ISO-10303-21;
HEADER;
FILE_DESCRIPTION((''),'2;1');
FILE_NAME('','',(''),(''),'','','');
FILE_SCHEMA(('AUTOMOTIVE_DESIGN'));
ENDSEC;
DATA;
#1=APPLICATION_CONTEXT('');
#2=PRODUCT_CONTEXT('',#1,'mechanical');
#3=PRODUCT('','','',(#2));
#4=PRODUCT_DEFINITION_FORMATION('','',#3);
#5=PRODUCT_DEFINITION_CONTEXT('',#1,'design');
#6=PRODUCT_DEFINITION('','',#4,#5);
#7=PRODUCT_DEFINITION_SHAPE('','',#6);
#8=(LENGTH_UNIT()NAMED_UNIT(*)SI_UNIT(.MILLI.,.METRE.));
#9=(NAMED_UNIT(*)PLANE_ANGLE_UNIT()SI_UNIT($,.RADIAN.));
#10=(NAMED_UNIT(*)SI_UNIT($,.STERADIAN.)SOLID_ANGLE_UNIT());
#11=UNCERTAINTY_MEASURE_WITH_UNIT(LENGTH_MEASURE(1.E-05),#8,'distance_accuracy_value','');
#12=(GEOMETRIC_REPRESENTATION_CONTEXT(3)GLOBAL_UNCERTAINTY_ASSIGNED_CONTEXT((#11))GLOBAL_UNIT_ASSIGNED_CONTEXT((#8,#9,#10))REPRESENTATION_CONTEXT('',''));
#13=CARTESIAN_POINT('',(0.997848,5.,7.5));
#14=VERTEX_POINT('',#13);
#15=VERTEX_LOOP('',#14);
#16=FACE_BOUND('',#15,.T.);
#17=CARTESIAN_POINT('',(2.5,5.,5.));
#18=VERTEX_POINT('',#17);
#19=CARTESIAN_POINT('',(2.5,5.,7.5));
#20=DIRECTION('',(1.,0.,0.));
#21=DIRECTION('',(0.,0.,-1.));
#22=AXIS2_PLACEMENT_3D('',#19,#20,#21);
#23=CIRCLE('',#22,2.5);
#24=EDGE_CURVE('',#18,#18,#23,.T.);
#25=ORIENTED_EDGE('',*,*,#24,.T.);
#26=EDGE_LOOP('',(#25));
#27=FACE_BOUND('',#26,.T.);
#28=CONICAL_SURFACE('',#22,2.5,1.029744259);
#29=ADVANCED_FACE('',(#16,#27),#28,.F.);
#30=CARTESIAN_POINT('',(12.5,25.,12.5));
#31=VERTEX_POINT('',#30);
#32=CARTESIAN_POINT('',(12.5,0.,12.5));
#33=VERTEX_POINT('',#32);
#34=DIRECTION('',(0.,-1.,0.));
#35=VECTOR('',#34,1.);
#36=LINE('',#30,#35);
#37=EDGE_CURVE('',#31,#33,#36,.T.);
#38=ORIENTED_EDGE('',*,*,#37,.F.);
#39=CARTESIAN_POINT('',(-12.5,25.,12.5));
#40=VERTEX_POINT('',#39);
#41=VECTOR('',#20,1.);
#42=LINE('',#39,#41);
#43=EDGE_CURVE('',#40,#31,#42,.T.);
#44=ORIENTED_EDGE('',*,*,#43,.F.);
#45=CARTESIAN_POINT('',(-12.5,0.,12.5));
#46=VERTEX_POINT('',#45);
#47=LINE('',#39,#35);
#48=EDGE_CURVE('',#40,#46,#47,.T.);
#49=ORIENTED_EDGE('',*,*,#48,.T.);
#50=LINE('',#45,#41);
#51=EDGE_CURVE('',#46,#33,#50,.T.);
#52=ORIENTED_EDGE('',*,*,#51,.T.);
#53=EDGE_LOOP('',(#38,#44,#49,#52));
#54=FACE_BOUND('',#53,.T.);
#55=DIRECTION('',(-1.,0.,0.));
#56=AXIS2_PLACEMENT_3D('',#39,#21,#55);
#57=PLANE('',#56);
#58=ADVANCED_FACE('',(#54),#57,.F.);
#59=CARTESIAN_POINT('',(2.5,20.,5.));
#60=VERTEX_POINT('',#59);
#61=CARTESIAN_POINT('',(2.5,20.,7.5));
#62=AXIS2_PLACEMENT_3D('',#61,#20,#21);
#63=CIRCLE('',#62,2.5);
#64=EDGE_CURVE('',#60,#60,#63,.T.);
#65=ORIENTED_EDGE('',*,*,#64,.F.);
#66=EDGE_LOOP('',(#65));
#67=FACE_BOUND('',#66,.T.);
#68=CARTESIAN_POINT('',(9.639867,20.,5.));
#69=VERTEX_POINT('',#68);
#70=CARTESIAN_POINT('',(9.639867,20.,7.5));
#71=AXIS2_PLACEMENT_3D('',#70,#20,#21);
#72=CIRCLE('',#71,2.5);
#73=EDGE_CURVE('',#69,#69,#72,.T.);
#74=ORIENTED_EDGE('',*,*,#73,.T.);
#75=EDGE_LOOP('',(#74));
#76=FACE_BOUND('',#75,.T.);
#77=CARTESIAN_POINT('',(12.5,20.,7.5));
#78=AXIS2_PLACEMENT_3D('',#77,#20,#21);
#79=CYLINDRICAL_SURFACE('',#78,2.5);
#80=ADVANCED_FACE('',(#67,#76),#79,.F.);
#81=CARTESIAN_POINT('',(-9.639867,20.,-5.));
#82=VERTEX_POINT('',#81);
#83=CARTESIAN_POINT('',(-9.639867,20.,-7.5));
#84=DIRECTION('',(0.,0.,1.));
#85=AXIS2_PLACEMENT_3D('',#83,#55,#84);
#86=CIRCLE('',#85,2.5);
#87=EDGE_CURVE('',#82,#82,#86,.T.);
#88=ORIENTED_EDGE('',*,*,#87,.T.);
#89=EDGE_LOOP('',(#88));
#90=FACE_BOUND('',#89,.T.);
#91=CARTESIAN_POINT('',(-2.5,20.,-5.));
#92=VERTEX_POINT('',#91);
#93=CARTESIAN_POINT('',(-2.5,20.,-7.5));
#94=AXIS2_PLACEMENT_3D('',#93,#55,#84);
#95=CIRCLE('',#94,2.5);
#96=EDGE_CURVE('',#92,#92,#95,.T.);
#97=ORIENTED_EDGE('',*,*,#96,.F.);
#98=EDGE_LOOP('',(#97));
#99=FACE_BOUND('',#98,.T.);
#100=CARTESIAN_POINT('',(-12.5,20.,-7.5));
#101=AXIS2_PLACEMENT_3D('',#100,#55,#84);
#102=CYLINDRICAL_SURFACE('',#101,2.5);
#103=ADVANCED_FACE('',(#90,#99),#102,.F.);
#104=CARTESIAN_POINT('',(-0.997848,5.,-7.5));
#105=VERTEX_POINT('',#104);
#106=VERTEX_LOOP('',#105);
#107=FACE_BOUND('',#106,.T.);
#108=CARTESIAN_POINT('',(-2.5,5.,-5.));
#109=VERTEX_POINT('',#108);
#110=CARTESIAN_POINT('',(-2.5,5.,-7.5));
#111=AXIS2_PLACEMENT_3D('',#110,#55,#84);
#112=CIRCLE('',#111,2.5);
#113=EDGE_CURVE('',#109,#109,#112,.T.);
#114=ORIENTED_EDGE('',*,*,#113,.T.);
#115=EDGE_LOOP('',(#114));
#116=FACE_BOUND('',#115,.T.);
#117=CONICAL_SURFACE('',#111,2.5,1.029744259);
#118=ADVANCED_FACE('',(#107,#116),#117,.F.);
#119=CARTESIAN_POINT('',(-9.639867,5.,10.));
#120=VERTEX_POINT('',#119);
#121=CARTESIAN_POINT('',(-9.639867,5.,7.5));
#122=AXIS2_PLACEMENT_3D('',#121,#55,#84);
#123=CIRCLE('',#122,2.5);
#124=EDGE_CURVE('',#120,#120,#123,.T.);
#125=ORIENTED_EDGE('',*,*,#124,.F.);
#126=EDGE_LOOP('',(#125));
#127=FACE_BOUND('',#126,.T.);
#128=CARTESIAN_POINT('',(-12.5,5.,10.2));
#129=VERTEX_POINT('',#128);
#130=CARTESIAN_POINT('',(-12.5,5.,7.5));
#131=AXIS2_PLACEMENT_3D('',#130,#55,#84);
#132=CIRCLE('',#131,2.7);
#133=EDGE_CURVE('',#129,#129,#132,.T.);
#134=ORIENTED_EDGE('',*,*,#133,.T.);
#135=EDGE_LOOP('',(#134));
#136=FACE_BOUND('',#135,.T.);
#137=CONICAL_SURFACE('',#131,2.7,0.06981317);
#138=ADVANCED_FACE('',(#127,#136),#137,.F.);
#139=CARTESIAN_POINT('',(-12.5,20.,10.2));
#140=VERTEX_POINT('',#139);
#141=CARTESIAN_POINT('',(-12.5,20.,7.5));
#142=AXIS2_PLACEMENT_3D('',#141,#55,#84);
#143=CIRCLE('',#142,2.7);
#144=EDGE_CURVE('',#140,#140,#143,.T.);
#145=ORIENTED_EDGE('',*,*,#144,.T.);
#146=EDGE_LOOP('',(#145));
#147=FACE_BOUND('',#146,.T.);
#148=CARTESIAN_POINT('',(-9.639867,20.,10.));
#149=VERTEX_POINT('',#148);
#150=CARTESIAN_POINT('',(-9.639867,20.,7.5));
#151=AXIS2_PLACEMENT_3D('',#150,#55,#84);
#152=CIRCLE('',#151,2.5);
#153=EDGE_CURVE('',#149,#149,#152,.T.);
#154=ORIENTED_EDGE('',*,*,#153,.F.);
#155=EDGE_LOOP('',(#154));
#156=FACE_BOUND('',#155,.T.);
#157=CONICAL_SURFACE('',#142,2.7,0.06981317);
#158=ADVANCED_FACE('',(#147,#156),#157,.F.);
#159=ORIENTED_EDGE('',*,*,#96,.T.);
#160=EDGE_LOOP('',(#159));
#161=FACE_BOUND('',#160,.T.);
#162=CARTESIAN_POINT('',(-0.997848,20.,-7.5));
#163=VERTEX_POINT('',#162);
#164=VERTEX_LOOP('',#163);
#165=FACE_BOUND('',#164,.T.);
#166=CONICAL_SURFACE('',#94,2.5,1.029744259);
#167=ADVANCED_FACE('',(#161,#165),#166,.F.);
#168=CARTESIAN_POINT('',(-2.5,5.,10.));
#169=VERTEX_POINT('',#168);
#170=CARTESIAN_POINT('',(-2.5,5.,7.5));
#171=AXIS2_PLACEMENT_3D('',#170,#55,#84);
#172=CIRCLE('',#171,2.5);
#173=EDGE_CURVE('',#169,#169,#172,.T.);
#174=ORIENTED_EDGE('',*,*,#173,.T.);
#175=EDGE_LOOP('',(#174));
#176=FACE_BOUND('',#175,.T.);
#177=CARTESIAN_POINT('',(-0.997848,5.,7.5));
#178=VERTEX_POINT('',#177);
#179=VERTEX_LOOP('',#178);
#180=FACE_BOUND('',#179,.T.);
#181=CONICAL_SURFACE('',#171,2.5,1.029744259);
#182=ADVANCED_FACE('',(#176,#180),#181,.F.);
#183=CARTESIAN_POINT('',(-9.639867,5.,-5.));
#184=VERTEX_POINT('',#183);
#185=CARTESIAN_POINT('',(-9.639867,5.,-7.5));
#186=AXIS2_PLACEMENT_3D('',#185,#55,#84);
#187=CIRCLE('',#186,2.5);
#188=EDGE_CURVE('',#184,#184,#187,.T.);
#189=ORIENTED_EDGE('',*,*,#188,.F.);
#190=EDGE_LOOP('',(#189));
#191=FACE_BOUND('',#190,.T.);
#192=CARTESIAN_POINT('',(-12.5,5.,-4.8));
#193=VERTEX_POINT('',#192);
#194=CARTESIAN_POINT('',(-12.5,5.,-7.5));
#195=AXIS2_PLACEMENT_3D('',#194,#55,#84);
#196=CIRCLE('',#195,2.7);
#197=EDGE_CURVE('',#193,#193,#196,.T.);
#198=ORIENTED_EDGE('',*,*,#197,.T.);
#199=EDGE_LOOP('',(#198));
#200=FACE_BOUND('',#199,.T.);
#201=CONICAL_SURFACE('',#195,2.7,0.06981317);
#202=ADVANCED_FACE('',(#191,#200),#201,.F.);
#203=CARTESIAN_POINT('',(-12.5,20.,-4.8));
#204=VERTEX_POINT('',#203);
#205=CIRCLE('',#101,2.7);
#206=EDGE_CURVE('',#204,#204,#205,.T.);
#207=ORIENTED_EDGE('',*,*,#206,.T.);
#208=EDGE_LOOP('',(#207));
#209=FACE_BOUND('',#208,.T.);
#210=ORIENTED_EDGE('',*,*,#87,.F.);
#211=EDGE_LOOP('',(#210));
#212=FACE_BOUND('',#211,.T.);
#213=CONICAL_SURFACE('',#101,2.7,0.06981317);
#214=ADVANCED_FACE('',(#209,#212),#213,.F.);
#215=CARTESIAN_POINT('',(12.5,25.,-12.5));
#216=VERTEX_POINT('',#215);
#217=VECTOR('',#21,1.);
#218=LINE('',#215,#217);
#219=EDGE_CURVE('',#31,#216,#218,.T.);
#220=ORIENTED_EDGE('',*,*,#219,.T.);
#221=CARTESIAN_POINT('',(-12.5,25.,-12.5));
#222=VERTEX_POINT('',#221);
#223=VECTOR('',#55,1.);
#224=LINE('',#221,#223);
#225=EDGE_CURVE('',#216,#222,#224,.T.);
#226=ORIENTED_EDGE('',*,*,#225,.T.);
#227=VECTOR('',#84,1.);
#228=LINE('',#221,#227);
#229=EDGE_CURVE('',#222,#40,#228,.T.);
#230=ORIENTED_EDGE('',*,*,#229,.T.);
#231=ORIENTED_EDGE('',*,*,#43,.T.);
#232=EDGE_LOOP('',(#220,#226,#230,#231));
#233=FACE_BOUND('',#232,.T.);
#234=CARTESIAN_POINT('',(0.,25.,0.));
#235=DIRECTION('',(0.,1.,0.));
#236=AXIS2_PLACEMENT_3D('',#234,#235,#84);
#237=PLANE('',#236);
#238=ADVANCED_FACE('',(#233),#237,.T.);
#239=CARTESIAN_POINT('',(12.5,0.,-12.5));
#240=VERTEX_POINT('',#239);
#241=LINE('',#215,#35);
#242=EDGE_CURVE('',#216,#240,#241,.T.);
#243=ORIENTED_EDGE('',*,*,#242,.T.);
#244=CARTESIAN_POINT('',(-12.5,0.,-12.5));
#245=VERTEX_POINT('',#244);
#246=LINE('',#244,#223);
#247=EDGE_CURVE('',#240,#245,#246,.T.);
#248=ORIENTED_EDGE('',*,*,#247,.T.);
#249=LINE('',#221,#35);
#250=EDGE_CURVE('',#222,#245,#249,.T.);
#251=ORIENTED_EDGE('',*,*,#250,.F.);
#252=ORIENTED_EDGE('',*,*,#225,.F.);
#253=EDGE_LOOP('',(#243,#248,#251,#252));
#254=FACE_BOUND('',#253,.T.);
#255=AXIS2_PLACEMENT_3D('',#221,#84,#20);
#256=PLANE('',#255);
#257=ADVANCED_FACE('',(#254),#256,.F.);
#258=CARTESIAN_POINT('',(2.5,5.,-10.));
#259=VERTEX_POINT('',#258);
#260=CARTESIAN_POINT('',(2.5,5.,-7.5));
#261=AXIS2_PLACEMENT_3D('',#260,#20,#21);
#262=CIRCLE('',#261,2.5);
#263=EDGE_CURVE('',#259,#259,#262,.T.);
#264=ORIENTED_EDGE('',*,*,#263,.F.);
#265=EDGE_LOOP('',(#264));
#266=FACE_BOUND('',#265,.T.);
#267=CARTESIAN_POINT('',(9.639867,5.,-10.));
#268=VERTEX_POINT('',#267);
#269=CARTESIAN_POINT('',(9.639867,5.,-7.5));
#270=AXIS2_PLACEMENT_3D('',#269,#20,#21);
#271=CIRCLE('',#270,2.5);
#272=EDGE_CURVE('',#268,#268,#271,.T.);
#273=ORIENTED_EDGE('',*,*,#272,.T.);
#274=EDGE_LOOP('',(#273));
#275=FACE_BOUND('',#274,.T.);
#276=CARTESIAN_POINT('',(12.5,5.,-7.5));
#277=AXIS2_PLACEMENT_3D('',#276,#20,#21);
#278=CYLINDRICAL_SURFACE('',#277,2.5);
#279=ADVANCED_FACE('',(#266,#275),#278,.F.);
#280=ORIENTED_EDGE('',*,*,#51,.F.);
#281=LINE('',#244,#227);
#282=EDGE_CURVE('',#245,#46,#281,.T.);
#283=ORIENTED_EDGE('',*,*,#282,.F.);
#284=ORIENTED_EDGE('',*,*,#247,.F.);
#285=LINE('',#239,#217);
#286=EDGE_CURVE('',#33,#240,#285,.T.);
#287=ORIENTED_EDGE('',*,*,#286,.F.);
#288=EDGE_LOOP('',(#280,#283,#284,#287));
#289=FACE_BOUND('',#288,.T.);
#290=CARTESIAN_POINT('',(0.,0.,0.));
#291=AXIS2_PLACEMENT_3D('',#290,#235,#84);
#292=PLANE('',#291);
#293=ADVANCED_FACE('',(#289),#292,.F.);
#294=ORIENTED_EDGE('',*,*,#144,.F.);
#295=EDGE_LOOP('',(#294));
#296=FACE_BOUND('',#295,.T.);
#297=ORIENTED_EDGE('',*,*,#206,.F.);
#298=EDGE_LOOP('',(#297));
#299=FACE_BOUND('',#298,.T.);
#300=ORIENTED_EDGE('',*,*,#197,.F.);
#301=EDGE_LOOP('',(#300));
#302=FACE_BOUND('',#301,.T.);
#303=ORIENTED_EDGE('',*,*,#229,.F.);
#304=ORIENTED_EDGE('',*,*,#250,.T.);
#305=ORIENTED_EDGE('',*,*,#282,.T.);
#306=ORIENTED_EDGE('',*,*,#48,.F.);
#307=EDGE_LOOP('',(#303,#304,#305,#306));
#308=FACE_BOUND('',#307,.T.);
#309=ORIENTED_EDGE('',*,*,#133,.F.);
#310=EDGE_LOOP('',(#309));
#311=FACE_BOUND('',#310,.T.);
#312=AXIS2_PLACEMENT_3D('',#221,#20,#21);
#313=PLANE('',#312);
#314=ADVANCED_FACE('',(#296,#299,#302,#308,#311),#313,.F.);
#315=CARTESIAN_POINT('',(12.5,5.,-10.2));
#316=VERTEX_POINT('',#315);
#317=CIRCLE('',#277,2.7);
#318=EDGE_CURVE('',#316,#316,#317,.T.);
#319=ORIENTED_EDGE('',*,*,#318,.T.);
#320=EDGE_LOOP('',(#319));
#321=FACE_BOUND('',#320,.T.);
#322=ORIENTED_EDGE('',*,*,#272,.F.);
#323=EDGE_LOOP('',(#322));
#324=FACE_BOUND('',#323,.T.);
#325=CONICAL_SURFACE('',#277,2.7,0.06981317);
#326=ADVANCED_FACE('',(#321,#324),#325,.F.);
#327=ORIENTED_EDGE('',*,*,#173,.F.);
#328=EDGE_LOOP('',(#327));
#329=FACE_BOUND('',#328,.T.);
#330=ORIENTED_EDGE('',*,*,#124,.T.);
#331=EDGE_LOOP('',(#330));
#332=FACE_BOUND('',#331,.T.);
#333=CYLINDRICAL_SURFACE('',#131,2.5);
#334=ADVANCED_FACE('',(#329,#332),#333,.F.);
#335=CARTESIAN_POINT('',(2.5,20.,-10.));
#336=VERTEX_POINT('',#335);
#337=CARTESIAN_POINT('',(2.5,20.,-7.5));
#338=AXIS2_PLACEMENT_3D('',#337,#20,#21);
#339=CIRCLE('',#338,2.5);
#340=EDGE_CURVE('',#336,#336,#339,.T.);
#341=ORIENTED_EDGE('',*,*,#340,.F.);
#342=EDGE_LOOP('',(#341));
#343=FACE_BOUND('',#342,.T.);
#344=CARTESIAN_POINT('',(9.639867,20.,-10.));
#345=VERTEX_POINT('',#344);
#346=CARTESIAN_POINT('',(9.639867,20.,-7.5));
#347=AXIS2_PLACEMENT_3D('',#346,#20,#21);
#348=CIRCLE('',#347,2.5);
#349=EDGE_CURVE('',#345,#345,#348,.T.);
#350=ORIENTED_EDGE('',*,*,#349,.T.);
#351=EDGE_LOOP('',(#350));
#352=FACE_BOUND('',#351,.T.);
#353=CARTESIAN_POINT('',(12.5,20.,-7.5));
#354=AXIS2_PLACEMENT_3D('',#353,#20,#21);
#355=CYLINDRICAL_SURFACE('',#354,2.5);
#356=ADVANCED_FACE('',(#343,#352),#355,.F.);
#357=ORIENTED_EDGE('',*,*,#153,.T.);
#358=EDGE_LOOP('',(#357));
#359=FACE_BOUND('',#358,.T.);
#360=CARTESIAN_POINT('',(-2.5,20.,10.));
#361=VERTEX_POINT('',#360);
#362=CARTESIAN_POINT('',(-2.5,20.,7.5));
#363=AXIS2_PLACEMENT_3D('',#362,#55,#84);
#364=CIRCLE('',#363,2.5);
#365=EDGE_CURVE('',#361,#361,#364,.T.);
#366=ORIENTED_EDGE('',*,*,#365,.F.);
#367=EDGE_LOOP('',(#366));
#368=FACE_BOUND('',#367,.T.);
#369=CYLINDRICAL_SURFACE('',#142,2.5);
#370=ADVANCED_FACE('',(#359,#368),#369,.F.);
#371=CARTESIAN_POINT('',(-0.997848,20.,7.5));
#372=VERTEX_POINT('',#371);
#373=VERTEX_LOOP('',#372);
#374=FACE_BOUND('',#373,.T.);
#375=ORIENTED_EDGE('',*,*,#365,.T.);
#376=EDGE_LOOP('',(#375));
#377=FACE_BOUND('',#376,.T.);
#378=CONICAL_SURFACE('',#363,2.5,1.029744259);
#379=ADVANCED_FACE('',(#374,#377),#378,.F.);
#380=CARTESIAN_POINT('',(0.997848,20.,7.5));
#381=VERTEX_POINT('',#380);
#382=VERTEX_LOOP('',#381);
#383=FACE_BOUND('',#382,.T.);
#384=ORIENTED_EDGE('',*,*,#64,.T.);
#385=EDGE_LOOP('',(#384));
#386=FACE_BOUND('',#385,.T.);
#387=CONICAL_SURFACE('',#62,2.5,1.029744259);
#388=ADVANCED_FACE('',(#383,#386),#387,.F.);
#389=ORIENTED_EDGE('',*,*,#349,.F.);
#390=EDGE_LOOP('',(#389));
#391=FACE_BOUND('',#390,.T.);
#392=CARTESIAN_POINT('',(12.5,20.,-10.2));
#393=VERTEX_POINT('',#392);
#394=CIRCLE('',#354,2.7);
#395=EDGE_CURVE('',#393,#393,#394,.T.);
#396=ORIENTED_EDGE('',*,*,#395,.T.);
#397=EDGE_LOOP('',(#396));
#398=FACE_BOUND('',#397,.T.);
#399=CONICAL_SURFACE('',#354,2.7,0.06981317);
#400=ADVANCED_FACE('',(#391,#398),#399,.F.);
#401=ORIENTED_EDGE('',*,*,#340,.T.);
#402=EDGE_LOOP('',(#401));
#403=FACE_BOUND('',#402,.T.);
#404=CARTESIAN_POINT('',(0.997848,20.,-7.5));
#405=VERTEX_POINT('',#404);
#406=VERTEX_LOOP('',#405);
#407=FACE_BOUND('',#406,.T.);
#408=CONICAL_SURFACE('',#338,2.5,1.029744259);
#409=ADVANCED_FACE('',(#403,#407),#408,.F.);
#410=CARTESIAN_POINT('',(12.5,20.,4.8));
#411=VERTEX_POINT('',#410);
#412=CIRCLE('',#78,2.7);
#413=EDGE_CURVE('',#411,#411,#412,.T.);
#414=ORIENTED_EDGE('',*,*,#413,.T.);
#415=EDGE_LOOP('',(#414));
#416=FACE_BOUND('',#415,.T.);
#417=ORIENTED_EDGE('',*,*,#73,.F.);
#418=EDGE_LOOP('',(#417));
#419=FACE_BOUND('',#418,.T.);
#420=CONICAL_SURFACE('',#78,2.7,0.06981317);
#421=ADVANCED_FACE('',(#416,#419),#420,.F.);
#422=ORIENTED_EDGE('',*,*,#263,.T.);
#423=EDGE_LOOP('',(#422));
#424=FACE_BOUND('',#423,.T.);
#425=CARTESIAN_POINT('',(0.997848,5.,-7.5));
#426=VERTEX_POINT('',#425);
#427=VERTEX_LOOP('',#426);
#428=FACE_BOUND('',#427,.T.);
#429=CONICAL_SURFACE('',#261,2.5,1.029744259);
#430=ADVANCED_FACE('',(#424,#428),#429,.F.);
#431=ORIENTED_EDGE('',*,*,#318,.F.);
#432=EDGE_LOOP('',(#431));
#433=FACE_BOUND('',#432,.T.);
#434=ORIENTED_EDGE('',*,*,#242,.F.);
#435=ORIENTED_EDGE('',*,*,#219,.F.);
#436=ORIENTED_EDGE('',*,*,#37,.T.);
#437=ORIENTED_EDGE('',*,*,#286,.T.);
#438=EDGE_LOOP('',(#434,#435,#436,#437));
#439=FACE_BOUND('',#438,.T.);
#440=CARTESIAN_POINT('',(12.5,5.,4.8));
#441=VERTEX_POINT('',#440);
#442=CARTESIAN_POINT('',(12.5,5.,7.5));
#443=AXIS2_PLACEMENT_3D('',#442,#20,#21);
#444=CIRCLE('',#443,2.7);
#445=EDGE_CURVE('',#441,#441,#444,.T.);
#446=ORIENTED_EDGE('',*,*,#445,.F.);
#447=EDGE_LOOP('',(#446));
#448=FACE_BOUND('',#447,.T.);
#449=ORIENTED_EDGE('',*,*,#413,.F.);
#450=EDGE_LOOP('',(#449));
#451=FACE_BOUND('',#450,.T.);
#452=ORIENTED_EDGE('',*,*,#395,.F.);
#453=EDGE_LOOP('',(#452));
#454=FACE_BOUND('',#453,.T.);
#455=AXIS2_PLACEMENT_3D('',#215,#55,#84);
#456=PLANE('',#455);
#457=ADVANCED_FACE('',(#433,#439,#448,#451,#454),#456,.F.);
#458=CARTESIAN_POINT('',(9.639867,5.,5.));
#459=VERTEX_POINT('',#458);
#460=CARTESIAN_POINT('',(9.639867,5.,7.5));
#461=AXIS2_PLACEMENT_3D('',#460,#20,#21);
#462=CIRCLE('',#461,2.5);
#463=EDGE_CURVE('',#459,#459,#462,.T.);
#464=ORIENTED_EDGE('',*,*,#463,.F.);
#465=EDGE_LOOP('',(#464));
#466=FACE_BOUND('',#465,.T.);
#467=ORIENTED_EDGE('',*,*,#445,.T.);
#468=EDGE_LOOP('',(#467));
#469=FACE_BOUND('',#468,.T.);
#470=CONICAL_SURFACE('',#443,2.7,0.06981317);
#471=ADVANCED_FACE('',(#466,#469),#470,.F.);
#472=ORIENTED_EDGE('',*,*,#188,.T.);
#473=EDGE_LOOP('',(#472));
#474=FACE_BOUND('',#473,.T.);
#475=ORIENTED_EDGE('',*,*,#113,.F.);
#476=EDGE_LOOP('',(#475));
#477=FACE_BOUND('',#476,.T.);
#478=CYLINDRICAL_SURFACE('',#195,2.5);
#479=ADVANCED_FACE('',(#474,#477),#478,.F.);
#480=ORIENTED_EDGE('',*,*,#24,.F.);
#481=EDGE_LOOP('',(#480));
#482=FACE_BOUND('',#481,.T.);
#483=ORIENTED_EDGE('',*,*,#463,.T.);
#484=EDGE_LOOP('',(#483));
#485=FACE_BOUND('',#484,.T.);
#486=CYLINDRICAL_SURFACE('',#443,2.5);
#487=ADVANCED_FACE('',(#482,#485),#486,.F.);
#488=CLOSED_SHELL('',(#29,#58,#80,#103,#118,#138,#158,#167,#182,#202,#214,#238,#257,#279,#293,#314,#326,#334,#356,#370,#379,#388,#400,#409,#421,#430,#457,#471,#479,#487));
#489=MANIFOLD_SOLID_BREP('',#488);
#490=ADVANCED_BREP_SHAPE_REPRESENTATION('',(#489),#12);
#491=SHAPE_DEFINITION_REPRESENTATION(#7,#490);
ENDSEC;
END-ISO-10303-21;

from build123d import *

# Parameters (mm, degrees)
SKETCH2_W            = 25
SKETCH2_H            = 25
BOSS_EXTRUDE1_DEPTH  = 25
LPATTERN1_COUNT      = 2
LPATTERN1_PITCH      = 15
LPATTERN1_COUNT_DIR2 = 2
LPATTERN1_PITCH_DIR2 = 15


with BuildPart() as part:
    # Sketch2 → Boss-Extrude1 (new body)
    with BuildSketch(Plane(origin=(0, 0, 0), x_dir=(1, 0, 0), z_dir=(0, 1, 0))):
        Rectangle(SKETCH2_W, SKETCH2_H)
    extrude(amount=BOSS_EXTRUDE1_DEPTH)

    # Sketch4 → CSK for M3 Oval Head Machine Screw1 (revolve, cut)
    with BuildSketch(Plane(origin=(-12.5, 20, -7.5), x_dir=(0, 0, 1), z_dir=(0, 1, 0))):
        Polygon((0, 0), (0, 11.502151548), (2.5, 10), (2.5, 2.860133251), (2.7, 0), align=None)
    csk_for_m3_oval_head_machine_screw1 = revolve(axis=Axis((-18.85, 20, -7.5), (1, 0, 0)), mode=Mode.SUBTRACT)

    # LPattern1: CSK for M3 Oval Head Machine Screw1 2 × 2
    with Locations(*[(0, -i * LPATTERN1_PITCH, j * LPATTERN1_PITCH_DIR2) for i in range(LPATTERN1_COUNT) for j in range(LPATTERN1_COUNT_DIR2) if (i, j) != (0, 0)]):
        add(csk_for_m3_oval_head_machine_screw1, mode=Mode.SUBTRACT)

    # Mirror1: CSK for M3 Oval Head Machine Screw1 across plane
    add(csk_for_m3_oval_head_machine_screw1.mirror(Plane(origin=(0, 0, 0), x_dir=(0, 0, 1), z_dir=(1, 0, 0))), mode=Mode.SUBTRACT)

    # Mirror1 copy 1 sketch → Mirror1 copy 1 (revolve, cut)
    with BuildSketch(Plane(origin=(12.5, 20, 7.5), x_dir=(0, 0, 1), z_dir=(0, 1, 0))):
        Polygon((0, 0), (0, -11.502151548), (2.5, -10), (2.5, -2.860133251), (2.7, 0), align=None)
    revolve(axis=Axis((18.85, 20, 7.5), (1, 0, 0)), mode=Mode.SUBTRACT)

    # Mirror1 copy 2 sketch → Mirror1 copy 2 (revolve, cut)
    with BuildSketch(Plane(origin=(12.5, 5, -7.5), x_dir=(0, 0, 1), z_dir=(0, 1, 0))):
        Polygon((0, 0), (0, -11.502151548), (2.5, -10), (2.5, -2.860133251), (2.7, 0), align=None)
    revolve(axis=Axis((18.85, 5, -7.5), (1, 0, 0)), mode=Mode.SUBTRACT)

    # Mirror1 copy 3 sketch → Mirror1 copy 3 (revolve, cut)
    with BuildSketch(Plane(origin=(12.5, 5, 7.5), x_dir=(0, 0, 1), z_dir=(0, 1, 0))):
        Polygon((0, 0), (0, -11.502151548), (2.5, -10), (2.5, -2.860133251), (2.7, 0), align=None)
    revolve(axis=Axis((18.85, 5, 7.5), (1, 0, 0)), mode=Mode.SUBTRACT)


solid = part.part
